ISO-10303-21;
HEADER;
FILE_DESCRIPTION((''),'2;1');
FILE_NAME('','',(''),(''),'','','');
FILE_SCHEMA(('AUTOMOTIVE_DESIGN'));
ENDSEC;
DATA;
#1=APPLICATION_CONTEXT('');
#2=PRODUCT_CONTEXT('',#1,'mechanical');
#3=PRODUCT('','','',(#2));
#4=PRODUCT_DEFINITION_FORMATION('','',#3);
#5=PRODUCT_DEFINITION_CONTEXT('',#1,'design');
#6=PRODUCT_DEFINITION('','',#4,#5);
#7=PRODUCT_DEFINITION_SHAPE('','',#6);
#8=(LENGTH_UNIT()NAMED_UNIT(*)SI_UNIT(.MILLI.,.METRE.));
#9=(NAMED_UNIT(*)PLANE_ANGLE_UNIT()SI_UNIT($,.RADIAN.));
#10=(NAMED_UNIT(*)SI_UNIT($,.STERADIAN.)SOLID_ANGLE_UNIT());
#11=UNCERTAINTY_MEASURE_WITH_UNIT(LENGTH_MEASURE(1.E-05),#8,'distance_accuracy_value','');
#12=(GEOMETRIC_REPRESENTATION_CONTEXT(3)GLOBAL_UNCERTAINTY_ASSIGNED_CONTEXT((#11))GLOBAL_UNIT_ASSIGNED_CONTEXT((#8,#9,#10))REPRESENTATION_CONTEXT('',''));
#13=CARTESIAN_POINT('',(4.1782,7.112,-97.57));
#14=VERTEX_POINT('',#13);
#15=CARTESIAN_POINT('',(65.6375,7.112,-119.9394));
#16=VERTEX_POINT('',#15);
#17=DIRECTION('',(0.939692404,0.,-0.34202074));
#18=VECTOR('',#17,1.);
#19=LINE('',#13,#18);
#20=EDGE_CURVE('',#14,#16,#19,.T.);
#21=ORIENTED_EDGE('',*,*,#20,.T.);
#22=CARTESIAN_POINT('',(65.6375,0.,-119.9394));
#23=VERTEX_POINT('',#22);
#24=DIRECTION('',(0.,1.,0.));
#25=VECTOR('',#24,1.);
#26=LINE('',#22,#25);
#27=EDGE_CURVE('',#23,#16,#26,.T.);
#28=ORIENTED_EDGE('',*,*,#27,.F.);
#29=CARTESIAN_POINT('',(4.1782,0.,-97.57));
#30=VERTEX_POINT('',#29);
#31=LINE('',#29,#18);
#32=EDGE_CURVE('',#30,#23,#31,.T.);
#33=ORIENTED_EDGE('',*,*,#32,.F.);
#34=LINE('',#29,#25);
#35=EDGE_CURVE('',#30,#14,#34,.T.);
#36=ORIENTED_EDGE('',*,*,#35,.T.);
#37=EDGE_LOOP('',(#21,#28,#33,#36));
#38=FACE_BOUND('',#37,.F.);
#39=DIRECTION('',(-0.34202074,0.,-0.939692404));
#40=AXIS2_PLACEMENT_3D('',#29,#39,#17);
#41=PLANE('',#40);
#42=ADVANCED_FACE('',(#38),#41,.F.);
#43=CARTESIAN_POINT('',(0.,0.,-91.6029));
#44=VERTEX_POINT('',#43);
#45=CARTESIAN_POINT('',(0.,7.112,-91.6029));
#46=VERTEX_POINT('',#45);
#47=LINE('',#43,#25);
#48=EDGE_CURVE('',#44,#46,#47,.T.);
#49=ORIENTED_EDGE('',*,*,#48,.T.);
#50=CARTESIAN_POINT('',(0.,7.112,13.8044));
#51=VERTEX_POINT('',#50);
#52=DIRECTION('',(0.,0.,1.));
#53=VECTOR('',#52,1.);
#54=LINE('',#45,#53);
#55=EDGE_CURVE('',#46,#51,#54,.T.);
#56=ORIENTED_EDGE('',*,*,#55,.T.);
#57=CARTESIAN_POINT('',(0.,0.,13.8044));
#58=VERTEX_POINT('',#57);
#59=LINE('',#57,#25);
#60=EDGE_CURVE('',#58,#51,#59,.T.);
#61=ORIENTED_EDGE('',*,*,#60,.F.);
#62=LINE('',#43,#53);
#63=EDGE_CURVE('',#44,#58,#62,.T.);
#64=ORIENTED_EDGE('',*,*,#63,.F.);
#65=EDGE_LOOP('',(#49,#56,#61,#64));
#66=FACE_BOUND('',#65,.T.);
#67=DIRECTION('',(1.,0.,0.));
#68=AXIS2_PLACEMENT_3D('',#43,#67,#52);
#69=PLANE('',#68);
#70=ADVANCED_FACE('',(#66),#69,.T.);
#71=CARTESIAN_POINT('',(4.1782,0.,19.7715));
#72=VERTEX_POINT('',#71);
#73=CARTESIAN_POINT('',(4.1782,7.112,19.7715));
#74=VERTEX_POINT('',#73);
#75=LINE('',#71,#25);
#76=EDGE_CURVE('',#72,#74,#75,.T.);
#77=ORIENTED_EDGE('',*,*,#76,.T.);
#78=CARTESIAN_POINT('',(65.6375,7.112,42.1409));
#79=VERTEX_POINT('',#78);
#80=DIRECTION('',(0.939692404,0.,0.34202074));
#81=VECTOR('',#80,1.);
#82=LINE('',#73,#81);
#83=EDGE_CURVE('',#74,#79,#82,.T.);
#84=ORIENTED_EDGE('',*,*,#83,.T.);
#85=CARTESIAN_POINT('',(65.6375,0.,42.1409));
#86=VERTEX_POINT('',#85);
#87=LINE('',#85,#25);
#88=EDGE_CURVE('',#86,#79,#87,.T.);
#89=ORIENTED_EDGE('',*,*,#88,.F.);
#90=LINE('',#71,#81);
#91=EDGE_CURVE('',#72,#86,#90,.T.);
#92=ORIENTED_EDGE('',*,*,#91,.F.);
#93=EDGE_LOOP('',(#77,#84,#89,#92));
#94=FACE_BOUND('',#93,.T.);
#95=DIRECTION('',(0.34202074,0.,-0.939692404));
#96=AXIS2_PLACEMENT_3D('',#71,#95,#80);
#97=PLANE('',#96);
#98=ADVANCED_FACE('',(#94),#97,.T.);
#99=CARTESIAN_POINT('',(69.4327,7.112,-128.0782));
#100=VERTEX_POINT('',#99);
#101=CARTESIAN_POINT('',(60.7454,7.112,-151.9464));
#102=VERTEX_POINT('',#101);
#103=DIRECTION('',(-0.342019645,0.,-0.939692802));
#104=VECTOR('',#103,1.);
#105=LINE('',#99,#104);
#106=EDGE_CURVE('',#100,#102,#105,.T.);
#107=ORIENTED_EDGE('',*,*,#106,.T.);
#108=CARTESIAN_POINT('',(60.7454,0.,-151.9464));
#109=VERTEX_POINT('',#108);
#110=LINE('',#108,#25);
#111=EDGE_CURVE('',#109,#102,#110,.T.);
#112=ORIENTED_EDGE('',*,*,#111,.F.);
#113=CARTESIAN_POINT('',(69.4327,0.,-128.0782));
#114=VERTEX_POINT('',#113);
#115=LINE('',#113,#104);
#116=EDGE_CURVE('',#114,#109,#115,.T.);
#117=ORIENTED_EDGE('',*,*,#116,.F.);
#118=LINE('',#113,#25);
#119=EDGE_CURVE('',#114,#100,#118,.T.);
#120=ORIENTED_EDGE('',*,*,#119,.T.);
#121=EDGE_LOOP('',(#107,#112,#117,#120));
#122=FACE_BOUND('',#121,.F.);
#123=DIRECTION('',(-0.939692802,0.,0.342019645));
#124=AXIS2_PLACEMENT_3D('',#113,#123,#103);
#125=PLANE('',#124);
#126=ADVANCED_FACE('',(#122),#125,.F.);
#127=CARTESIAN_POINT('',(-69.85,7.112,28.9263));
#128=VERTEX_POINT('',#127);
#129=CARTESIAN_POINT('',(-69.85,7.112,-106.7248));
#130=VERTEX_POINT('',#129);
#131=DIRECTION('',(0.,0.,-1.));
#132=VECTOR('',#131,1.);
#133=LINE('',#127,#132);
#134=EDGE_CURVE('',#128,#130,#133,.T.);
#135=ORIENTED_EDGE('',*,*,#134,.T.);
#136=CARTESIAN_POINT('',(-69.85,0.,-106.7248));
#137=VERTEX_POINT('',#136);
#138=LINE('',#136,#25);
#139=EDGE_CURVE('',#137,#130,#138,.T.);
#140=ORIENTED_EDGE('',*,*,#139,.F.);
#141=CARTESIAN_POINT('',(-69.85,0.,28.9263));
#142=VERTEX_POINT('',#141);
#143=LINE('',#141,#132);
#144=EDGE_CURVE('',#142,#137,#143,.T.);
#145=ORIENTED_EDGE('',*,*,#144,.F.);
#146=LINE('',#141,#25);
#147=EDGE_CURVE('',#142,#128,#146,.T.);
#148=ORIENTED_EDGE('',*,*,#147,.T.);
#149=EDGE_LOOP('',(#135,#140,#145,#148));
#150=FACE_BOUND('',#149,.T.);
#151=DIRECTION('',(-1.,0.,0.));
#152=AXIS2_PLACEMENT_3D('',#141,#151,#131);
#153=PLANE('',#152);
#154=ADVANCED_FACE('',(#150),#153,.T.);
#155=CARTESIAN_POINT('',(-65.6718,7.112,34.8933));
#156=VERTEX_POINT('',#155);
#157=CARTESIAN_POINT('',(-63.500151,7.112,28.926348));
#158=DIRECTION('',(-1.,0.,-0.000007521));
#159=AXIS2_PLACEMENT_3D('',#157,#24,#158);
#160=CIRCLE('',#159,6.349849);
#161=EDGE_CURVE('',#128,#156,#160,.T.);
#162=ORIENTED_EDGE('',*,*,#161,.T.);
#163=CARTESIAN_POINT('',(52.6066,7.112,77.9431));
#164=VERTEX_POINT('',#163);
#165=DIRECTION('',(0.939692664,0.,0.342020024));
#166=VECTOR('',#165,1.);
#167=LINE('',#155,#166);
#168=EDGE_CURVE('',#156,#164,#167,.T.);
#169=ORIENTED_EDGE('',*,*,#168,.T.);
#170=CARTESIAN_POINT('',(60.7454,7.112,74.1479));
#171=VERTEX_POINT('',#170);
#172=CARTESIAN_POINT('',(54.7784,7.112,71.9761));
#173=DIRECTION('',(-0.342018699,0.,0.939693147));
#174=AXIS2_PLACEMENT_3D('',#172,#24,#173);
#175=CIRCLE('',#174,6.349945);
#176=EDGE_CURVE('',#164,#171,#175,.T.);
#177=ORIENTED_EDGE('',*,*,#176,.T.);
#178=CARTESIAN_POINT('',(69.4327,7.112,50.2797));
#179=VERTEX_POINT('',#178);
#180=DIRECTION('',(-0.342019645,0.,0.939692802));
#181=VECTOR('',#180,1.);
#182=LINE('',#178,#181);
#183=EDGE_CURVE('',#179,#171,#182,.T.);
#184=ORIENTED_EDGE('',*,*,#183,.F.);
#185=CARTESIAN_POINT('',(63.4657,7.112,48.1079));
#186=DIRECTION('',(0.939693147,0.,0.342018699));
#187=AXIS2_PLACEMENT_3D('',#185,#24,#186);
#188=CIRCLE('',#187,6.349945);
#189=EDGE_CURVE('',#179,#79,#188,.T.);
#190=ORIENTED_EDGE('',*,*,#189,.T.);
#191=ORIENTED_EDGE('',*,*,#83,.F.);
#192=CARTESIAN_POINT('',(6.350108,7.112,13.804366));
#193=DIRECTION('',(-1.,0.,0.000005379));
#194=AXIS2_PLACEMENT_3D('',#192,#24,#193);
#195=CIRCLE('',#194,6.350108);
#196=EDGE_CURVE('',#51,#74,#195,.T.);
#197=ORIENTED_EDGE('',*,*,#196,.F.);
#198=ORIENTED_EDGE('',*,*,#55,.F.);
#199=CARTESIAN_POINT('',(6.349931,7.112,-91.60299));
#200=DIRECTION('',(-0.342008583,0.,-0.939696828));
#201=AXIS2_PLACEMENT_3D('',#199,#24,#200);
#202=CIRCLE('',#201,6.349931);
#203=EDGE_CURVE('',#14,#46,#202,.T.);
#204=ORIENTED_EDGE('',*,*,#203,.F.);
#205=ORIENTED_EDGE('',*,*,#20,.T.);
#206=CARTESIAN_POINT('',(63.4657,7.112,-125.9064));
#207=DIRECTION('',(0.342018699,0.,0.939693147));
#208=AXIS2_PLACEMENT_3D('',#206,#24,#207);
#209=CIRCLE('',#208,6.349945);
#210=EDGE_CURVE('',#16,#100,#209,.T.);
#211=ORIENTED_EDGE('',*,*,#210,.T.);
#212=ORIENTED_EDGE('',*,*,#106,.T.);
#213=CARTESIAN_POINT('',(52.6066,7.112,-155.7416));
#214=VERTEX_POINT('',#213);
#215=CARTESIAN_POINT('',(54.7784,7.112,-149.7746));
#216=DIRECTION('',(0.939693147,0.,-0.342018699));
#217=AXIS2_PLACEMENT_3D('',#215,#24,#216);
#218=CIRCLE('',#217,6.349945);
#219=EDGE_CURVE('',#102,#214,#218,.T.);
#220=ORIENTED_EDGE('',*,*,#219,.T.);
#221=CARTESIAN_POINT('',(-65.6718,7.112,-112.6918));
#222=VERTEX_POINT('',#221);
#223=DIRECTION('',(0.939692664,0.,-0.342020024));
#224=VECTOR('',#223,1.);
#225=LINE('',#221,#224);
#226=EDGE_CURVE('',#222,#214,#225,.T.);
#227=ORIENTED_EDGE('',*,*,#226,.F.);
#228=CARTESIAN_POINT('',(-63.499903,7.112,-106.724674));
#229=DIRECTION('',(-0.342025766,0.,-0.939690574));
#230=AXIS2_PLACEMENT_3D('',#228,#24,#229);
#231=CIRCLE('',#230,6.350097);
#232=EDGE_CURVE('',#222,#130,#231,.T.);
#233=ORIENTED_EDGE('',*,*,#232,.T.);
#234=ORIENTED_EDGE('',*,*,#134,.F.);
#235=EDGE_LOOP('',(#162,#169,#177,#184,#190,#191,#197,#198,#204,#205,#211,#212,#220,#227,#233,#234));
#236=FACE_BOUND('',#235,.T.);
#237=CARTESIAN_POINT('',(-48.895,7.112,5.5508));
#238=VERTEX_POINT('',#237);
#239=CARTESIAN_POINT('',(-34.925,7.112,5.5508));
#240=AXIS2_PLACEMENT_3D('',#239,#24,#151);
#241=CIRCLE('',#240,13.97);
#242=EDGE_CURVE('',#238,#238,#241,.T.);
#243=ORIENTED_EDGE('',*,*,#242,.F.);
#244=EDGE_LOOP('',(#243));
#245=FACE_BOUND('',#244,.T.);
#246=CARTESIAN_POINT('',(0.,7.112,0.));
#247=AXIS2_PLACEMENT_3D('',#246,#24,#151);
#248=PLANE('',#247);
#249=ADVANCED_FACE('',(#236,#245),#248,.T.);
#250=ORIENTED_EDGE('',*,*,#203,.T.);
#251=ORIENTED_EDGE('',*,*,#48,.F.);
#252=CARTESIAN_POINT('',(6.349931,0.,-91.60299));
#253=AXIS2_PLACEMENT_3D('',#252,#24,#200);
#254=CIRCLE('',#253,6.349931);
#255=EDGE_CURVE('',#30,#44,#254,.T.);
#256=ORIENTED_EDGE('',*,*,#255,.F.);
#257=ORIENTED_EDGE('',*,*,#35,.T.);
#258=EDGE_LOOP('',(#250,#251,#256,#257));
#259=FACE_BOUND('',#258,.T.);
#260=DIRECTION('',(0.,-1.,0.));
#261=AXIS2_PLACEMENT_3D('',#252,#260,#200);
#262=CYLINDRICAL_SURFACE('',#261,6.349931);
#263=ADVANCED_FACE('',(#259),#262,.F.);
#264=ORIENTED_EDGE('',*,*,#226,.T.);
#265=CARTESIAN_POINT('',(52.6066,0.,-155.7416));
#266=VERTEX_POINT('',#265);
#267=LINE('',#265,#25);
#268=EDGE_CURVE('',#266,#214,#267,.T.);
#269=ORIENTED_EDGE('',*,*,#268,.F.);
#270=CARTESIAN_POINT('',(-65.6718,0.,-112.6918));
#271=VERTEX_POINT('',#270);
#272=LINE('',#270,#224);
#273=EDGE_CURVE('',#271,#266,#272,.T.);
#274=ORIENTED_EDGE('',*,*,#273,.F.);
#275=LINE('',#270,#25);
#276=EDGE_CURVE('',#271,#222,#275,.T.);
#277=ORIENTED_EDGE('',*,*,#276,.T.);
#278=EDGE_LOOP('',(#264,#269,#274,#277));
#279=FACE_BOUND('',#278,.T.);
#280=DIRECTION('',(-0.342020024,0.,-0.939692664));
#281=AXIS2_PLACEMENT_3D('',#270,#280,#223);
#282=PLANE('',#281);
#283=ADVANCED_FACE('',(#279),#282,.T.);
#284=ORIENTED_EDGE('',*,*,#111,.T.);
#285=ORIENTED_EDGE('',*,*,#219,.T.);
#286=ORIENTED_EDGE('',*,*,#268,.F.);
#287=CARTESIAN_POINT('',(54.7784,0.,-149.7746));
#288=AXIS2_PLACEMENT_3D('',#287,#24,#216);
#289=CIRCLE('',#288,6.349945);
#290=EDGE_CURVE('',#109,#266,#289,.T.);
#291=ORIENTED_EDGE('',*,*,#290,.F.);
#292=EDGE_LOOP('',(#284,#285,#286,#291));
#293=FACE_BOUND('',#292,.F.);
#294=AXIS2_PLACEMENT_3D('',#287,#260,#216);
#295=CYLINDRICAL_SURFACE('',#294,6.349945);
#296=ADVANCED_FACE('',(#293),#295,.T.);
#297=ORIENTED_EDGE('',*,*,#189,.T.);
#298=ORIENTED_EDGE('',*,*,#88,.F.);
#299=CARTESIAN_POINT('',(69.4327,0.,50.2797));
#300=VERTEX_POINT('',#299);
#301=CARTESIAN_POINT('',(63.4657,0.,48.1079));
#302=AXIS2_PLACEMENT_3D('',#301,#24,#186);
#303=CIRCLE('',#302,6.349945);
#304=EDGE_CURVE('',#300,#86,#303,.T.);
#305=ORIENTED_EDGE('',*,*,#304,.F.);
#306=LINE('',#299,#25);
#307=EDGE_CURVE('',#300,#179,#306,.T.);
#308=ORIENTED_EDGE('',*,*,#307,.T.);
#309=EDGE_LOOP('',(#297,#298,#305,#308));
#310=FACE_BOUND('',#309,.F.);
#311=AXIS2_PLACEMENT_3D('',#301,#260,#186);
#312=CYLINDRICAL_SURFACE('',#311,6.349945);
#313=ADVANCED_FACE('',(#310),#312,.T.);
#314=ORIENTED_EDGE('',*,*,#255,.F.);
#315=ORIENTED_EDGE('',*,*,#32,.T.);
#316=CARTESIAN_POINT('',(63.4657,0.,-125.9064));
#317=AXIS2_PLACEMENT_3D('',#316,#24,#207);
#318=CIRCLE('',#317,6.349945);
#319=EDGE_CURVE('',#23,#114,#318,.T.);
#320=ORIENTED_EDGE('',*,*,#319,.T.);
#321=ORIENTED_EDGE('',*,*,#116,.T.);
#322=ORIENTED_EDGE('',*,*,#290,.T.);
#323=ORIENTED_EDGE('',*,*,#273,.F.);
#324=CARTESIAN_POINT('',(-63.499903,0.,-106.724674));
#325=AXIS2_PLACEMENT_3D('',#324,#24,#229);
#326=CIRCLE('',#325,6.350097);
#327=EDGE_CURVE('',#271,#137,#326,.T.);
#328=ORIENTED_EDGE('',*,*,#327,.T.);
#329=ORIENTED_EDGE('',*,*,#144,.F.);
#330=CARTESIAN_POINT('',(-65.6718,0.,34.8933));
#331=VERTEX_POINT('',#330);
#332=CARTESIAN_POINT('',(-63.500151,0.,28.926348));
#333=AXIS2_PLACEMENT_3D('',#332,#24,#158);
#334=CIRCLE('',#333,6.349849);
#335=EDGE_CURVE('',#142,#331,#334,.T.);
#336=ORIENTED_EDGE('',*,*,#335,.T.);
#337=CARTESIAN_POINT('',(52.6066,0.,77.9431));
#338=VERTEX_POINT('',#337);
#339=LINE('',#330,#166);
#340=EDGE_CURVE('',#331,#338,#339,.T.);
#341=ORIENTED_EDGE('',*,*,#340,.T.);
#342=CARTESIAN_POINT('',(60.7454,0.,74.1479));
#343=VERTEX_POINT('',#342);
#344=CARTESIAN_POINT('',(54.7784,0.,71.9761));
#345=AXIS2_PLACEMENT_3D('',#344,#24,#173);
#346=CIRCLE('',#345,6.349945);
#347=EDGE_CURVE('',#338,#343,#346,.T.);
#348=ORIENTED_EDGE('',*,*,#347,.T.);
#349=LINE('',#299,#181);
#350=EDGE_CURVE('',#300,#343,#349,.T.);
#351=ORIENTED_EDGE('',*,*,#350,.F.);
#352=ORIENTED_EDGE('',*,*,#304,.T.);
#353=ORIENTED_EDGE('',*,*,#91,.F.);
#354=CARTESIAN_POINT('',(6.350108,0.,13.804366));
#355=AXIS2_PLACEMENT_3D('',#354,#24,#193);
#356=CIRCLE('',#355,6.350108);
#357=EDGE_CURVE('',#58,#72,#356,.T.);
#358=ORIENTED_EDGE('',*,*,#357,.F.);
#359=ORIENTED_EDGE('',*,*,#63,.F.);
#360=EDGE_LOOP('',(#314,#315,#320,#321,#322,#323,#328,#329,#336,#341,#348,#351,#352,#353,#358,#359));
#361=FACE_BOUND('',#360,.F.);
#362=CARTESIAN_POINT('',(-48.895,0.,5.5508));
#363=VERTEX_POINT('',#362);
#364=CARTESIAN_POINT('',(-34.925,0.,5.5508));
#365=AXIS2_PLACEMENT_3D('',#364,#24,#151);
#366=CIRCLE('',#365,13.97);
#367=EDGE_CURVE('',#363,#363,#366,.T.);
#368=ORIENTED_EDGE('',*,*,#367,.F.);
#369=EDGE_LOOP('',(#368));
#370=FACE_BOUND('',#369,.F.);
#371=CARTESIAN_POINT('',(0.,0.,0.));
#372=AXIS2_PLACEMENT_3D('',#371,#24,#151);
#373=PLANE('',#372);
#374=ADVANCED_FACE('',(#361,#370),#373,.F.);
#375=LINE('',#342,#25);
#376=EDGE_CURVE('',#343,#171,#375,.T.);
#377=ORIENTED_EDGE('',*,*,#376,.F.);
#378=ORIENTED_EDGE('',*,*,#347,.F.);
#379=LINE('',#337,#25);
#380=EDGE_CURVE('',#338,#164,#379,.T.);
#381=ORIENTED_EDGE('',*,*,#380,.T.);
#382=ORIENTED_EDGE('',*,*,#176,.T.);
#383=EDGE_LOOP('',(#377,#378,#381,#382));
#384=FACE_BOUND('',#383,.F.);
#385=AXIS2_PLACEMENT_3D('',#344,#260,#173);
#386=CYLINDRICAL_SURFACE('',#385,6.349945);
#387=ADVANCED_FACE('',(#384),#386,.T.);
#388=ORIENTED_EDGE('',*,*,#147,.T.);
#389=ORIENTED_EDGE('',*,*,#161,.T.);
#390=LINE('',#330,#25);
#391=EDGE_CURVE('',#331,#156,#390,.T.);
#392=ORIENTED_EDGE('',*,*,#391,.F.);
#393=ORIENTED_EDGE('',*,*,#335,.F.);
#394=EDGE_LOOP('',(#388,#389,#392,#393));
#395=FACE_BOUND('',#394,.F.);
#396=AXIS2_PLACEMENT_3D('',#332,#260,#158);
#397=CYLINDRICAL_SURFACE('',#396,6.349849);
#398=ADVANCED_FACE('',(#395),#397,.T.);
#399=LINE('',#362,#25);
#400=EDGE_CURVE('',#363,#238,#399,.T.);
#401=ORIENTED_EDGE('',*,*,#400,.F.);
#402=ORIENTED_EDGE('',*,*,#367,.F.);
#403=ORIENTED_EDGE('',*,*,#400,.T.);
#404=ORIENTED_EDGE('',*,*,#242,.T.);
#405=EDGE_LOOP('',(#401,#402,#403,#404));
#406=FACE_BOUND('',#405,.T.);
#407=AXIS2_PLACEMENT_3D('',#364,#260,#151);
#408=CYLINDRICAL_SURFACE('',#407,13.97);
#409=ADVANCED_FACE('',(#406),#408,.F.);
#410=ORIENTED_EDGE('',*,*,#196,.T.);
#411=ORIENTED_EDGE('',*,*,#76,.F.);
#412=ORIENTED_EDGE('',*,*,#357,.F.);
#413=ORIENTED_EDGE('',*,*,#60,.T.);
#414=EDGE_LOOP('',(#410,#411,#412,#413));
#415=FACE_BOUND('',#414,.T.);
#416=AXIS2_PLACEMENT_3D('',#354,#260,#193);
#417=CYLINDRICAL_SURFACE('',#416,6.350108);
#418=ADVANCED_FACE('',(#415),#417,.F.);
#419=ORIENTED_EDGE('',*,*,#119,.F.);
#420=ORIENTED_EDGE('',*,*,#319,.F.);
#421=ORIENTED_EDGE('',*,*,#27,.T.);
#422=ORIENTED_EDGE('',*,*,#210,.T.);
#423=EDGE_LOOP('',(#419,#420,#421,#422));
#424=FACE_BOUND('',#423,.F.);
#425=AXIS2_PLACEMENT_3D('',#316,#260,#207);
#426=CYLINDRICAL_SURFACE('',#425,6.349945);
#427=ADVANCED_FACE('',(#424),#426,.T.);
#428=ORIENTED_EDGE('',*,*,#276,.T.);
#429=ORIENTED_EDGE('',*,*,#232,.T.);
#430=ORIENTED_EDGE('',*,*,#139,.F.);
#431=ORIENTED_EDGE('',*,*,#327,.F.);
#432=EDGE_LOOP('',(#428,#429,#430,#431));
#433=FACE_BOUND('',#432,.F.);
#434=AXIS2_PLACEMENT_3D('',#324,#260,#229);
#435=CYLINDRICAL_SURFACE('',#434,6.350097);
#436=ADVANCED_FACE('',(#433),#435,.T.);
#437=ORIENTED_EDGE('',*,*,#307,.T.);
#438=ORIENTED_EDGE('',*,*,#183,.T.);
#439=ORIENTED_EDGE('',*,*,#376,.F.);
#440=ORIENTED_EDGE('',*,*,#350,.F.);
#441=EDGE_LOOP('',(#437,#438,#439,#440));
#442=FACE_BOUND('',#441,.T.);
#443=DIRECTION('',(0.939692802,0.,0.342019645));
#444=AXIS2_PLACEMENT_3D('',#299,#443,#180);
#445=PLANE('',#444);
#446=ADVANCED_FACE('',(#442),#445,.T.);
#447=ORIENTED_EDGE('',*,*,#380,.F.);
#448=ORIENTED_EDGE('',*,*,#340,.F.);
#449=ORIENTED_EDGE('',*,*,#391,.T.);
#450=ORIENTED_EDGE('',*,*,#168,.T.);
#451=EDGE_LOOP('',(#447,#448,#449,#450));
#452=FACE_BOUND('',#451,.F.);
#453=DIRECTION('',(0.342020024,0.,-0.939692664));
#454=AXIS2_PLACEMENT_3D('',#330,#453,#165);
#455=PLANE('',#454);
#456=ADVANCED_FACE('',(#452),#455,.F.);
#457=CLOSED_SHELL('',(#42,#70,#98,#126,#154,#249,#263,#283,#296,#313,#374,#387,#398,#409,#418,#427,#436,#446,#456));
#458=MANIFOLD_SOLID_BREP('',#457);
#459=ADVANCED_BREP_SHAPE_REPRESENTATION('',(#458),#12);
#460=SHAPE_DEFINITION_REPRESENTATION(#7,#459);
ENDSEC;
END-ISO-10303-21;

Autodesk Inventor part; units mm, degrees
ref_plane "YZ Plane" through (0, 0, 0) normal (1, 0, 0) x (0, 1, 0)
ref_plane "XZ Plane" through (0, 0, 0) normal (0, 1, 0) x (-1, 0, 0)
ref_plane "XY Plane" through (0, 0, 0) normal (0, 0, 1) x (1, 0, 0)
sketch "Sketch1" plane through (0, 0, 0) normal (0, 1, 0) x (-1, 0, 0)
  circle A0 centre (34.925, 5.5508) radius 13.97
  line L0 (69.85, 28.9263) -> (69.85, -106.7248)
  line L1 (0, -91.6029) -> (0, 13.8044)
  line L2 (-4.1782, 19.7715) -> (-65.6375, 42.1409)
  line L3 (-4.1782, -97.57) -> (-65.6375, -119.9394)
  line L4 (65.6718, 34.8933) -> (-52.6066, 77.9431)
  line L5 (65.6718, -112.6918) -> (-52.6066, -155.7416)
  line L6 (-69.4327, 50.2797) -> (-60.7454, 74.1479)
  line L7 (-69.4327, -128.0782) -> (-60.7454, -151.9464)
  arc A1 (-69.4327, 50.2797) -> (-65.6375, 42.1409) centre (-63.4657, 48.1079) ccw
  arc A2 (-52.6066, 77.9431) -> (-60.7454, 74.1479) centre (-54.7784, 71.9761) ccw
  arc A3 (-65.6375, -119.9394) -> (-69.4327, -128.0782) centre (-63.4657, -125.9064) ccw
  arc A4 (-60.7454, -151.9464) -> (-52.6066, -155.7416) centre (-54.7784, -149.7746) ccw
  arc A5 (69.85, 28.9263) -> (65.6718, 34.8933) centre (63.5, 28.9263) ccw
  arc A6 (65.6718, -112.6918) -> (69.85, -106.7248) centre (63.5, -106.7248) ccw
  arc A7 (-4.1782, -97.57) -> (0, -91.6029) centre (-6.35, -91.6029) ccw
  arc A8 (0, 13.8044) -> (-4.1782, 19.7715) centre (-6.35, 13.8044) ccw
  point P0 (0, 0)
  point P1 (0, 18.2508)
  point P2 (0, -96.0492)
  point P3 (-71.6046, 44.3127)
  point P4 (-71.6046, -122.1112)
  point P5 (69.85, 33.3726)
  point P6 (-58.5736, 80.115)
  point P7 (69.85, -111.1711)
  point P8 (-58.5736, -157.9135)
  dimension "d4" = 27.94
  dimension "d9" = 114.3
  dimension "d10" = 76.2
  dimension "d11" = 110
  dimension "d12" = 76.2
  dimension "d13" = 110
  dimension "d14" = 38.1
  dimension "d15" = 38.1
  dimension "d17" = 34.925
  dimension "d18" = 12.7
  dimension "d21" = 6.35
  dimension "d22" = 6.35
  dimension "d23" = 69.85
extrude "Extrusion1" add sketch "Sketch1" along normal blind 7.112
properties part number "controller"
